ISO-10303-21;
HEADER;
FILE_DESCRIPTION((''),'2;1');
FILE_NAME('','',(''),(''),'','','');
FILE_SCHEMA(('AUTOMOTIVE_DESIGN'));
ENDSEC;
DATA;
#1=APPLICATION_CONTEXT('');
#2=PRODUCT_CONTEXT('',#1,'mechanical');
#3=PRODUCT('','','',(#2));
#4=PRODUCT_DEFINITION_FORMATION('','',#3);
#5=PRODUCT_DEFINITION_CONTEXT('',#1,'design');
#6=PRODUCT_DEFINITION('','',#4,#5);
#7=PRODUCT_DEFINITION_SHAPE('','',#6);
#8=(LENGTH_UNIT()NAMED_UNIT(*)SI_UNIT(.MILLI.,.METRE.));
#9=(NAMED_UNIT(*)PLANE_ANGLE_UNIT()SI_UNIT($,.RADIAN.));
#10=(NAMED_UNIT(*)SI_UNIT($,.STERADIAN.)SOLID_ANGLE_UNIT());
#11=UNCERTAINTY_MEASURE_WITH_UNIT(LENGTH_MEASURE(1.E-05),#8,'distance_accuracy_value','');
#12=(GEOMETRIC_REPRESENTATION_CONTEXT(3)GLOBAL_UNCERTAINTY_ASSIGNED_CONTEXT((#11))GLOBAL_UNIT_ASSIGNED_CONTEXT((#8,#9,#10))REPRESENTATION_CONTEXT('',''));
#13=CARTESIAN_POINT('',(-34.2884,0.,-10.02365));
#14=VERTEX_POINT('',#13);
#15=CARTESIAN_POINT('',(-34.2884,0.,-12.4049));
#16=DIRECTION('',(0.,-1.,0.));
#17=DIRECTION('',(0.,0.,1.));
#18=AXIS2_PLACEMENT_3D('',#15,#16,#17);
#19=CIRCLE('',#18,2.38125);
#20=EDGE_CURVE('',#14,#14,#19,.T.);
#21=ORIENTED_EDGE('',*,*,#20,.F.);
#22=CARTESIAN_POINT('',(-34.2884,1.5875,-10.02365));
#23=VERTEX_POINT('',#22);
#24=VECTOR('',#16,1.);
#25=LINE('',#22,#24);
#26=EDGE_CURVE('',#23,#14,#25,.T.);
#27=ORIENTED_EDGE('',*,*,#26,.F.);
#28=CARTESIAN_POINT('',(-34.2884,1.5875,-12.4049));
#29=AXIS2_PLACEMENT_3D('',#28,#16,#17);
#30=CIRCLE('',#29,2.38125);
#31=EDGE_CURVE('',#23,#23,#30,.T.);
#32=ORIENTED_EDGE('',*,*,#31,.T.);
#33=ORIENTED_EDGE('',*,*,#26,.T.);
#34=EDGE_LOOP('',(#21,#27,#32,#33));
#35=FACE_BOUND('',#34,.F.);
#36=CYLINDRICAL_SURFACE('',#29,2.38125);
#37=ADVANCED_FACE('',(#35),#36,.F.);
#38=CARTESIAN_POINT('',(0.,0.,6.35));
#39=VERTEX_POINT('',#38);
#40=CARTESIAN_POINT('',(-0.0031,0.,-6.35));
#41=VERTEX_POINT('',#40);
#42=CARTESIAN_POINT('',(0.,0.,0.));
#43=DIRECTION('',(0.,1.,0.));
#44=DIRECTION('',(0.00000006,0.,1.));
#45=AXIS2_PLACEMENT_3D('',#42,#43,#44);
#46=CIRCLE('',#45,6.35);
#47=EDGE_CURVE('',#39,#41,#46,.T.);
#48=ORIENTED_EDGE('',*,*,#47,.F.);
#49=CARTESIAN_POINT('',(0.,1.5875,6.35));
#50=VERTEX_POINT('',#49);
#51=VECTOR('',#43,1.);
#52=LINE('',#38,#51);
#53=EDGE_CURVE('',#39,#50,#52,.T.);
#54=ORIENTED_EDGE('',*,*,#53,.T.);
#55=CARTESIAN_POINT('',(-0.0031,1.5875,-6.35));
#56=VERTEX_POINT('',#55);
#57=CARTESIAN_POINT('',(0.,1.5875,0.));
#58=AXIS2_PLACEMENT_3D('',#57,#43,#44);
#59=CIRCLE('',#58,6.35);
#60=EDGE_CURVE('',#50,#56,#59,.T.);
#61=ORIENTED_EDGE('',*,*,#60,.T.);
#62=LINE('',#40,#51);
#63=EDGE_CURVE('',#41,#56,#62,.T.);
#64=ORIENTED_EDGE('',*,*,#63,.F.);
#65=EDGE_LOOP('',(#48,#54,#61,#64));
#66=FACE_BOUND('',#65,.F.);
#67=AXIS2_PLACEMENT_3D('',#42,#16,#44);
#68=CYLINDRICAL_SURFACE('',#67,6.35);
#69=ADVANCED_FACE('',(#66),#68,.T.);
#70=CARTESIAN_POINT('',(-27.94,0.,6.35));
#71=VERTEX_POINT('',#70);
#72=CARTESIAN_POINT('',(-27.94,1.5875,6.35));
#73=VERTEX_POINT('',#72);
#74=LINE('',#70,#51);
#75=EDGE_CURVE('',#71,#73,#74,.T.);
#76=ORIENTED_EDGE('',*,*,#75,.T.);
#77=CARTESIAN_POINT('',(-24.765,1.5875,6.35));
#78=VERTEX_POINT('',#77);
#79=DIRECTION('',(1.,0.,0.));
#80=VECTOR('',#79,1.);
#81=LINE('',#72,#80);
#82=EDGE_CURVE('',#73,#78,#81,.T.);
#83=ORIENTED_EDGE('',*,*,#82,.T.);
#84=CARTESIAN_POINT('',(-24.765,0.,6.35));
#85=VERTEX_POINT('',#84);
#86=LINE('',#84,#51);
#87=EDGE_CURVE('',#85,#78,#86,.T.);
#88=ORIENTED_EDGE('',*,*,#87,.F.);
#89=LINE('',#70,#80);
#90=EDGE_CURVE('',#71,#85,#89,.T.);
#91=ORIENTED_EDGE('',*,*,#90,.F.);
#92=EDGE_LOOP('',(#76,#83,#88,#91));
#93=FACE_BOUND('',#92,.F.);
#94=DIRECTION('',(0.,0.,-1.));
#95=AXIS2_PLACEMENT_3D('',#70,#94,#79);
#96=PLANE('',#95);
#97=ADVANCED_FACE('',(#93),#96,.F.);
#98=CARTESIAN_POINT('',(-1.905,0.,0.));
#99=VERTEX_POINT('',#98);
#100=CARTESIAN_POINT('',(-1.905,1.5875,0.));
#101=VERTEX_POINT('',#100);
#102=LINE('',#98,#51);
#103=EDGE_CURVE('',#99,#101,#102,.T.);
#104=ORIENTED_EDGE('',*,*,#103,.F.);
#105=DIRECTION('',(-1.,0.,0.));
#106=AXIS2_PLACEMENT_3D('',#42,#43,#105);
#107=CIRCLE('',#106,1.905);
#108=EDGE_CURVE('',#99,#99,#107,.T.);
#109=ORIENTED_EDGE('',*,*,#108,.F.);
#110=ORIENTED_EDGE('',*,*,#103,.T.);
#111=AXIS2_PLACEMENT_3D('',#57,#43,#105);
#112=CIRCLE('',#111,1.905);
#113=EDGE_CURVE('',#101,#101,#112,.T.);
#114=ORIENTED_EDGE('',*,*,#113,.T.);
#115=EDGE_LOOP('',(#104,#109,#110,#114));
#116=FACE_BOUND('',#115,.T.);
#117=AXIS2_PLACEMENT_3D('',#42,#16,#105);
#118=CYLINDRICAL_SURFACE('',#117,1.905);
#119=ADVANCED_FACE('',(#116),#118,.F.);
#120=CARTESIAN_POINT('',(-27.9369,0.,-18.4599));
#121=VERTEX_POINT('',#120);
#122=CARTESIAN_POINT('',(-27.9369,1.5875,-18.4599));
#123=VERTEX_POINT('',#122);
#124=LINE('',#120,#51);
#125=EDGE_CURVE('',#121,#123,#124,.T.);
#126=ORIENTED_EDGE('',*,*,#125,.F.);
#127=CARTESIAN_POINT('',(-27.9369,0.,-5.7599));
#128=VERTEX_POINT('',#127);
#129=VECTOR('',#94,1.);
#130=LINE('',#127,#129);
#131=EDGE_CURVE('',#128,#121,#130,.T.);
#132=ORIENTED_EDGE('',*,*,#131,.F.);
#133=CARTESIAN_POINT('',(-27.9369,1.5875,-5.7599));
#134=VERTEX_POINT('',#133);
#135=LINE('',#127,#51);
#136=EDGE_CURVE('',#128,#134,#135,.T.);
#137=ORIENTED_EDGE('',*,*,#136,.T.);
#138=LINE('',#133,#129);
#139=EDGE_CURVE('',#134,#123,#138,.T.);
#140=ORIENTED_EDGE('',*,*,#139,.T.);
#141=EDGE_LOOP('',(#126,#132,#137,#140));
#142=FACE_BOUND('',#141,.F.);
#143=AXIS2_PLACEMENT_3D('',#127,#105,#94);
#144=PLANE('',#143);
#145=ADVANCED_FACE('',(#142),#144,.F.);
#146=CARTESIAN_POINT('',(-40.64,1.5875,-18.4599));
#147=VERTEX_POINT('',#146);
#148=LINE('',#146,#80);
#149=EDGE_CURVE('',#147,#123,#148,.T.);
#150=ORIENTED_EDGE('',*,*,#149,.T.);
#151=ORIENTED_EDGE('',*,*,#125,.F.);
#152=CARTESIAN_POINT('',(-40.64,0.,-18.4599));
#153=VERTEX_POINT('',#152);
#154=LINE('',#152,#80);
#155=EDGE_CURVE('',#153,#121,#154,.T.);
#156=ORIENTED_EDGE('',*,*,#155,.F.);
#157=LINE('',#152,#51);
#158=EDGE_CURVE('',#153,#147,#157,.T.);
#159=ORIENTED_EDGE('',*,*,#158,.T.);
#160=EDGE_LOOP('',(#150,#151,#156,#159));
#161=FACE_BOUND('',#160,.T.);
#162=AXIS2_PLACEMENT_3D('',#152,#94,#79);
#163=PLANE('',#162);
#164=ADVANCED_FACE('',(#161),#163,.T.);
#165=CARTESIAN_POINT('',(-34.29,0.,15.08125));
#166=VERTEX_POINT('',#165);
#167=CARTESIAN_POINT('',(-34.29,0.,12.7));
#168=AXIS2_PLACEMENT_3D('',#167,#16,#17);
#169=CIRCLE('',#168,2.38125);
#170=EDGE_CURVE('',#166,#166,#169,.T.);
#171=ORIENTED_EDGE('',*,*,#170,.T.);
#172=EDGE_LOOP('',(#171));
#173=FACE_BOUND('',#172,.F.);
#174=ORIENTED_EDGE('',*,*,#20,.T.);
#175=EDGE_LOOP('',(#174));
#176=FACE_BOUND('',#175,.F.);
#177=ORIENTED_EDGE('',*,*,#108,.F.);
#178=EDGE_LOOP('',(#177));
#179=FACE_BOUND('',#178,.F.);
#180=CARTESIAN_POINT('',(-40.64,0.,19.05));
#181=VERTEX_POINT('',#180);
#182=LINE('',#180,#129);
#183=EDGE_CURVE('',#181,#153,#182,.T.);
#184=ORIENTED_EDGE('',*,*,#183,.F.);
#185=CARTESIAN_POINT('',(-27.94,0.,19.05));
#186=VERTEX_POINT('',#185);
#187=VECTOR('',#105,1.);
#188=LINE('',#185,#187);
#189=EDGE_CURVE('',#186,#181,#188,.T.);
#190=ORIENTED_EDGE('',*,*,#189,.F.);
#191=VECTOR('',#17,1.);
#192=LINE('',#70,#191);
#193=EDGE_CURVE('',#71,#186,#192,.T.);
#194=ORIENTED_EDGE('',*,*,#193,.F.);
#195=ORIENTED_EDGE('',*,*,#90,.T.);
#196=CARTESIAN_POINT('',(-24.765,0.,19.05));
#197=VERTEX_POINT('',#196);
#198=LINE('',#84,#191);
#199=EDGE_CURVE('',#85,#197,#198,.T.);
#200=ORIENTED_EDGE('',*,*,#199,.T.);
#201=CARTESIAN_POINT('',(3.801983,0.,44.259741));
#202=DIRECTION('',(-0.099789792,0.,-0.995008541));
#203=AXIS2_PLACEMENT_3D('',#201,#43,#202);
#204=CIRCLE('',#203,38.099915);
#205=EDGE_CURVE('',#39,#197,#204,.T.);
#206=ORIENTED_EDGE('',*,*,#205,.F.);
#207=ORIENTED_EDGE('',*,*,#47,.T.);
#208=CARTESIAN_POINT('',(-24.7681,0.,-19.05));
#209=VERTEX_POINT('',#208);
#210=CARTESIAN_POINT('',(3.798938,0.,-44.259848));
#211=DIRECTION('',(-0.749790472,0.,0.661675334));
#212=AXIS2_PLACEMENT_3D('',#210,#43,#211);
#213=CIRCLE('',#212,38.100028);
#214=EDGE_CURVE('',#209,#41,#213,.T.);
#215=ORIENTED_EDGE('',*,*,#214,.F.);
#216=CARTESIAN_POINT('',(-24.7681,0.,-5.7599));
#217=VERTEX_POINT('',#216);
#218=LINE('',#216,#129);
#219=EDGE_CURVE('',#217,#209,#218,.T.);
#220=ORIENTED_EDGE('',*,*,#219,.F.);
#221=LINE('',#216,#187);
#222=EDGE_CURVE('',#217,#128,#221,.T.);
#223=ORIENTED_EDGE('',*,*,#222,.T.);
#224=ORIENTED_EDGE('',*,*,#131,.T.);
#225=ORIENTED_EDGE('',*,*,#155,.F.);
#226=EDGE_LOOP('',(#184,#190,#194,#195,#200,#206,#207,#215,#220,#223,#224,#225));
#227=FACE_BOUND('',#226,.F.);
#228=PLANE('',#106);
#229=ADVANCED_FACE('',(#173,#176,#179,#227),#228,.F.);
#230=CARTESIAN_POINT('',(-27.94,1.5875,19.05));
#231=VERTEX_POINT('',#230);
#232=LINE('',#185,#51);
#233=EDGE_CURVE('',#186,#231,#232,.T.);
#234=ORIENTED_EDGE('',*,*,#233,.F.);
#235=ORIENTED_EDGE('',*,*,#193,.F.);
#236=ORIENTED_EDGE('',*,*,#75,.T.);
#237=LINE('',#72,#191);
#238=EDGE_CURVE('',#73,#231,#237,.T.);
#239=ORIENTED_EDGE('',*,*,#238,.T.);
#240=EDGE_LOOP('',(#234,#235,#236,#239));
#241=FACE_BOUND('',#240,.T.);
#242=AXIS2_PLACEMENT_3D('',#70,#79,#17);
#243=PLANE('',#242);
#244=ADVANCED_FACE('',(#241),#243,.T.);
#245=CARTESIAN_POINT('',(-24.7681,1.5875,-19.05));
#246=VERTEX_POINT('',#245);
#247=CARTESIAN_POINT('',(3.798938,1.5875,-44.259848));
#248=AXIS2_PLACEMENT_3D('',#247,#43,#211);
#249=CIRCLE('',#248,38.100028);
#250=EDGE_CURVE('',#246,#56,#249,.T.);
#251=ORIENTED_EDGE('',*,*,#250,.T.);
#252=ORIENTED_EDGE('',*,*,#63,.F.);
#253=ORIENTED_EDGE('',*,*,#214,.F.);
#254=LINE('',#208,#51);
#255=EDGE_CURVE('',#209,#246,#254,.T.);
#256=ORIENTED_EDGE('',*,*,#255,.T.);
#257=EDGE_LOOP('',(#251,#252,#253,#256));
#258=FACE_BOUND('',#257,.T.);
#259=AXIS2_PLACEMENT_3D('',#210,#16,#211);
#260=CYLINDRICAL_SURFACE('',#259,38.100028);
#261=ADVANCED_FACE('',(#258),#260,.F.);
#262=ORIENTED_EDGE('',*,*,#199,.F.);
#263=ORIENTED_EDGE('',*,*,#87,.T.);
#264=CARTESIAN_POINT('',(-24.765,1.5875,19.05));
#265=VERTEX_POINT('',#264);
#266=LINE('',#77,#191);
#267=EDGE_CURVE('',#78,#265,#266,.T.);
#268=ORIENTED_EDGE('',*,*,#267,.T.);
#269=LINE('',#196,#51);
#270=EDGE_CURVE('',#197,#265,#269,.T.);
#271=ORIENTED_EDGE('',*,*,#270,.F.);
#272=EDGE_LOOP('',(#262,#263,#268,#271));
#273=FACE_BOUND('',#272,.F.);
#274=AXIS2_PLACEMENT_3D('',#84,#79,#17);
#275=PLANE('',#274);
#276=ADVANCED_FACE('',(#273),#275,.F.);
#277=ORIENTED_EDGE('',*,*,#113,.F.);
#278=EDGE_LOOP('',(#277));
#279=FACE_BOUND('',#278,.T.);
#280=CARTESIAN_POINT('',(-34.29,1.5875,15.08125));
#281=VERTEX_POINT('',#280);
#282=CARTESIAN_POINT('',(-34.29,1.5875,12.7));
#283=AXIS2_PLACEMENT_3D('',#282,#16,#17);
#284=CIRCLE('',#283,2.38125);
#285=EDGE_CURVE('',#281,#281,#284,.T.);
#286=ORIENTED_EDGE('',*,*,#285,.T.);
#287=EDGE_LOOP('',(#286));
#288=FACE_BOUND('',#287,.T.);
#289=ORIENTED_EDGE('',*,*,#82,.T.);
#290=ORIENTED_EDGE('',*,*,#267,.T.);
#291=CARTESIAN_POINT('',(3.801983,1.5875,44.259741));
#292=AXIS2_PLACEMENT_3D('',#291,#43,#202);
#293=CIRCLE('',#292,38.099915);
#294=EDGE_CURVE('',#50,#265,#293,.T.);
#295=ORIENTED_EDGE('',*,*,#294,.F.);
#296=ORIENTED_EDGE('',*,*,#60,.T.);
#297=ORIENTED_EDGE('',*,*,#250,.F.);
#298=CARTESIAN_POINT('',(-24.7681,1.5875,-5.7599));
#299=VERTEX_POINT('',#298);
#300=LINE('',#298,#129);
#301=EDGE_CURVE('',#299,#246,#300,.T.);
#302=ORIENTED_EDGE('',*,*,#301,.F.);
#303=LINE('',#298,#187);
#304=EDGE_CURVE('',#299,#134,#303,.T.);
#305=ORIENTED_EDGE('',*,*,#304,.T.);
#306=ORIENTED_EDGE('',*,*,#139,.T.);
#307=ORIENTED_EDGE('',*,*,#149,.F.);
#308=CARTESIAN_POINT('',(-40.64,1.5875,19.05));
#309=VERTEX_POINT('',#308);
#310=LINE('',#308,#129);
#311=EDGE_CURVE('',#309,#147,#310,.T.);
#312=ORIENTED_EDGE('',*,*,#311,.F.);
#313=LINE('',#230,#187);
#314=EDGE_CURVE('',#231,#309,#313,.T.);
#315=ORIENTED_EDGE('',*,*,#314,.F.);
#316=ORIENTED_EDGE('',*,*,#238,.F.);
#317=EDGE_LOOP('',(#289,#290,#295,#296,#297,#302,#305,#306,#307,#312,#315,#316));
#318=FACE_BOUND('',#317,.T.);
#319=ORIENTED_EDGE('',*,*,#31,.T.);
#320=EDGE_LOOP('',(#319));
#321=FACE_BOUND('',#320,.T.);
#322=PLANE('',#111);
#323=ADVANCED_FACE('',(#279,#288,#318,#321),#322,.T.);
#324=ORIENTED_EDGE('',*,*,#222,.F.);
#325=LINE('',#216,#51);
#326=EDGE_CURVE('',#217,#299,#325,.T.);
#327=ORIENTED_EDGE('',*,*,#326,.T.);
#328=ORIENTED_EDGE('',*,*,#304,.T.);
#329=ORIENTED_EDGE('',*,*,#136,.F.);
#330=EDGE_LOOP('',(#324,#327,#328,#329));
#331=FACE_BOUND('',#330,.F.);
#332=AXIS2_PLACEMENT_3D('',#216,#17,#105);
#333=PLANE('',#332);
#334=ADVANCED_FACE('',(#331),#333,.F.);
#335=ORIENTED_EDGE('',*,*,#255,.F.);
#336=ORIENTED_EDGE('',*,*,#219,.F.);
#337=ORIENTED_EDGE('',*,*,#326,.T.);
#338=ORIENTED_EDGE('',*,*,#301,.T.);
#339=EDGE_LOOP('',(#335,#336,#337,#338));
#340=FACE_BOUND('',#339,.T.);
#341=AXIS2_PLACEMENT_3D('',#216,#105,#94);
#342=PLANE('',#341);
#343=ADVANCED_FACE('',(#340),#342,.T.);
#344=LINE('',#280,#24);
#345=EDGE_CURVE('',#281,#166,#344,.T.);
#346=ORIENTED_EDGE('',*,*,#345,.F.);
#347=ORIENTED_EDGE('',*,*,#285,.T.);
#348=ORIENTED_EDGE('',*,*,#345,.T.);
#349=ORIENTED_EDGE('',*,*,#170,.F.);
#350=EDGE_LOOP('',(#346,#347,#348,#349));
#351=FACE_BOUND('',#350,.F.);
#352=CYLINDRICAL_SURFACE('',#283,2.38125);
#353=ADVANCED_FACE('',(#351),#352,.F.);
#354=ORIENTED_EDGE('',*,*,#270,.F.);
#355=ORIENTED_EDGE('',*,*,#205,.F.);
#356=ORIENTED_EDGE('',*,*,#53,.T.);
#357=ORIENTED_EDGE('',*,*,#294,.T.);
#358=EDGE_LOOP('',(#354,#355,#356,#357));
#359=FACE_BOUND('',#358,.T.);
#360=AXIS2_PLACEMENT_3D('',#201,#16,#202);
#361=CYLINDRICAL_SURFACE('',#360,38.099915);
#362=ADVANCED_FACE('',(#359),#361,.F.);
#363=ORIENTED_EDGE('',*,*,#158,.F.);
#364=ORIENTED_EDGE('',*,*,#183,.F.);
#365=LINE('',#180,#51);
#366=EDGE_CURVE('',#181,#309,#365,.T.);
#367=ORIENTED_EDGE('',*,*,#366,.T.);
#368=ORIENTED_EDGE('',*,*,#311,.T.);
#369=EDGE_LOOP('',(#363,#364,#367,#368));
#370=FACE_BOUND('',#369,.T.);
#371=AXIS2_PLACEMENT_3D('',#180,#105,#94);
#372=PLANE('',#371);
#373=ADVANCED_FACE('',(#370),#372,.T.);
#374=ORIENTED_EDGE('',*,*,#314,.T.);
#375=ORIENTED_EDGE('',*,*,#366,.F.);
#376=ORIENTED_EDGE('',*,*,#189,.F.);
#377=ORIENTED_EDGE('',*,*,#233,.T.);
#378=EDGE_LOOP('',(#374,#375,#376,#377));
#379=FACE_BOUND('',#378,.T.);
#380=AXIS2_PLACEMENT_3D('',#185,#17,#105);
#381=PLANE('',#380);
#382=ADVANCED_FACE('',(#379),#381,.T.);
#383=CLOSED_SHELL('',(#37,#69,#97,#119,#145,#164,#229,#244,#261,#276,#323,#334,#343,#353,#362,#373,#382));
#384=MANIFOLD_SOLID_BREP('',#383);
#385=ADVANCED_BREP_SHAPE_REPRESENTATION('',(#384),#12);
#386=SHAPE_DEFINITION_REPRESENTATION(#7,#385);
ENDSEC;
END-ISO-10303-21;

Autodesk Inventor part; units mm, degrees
ref_plane "YZ Plane" through (0, 0, 0) normal (1, 0, 0) x (0, 1, 0)
ref_plane "XZ Plane" through (0, 0, 0) normal (0, 1, 0) x (-1, 0, 0)
ref_plane "XY Plane" through (0, 0, 0) normal (0, 0, 1) x (1, 0, 0)
sketch "Sketch1" plane through (0, 0, 0) normal (0, 1, 0) x (-1, 0, 0)
  arc A0 (0, 6.35) -> (0.0031, -6.35) centre (0, 0) ccw
  line L0 (27.9369, -5.7599) -> (27.9369, -18.4599)
  line L1 (27.94, 6.35) -> (27.94, 19.05)
  line L2 (27.94, 19.05) -> (40.64, 19.05)
  line L3 (40.64, 19.05) -> (40.64, -18.4599)
  line L4 (40.64, -18.4599) -> (27.9369, -18.4599)
  circle A1 centre (0, 0) radius 1.905
  line L5 (27.94, 6.35) -> (24.765, 6.35)
  line L6 (24.765, 6.35) -> (24.765, 19.05)
  line L7 (24.7681, -5.7599) -> (24.7681, -19.05)
  arc A2 (24.7681, -19.05) -> (0.0031, -6.35) centre (-3.7989, -44.2598) ccw
  arc A3 (0, 6.35) -> (24.765, 19.05) centre (-3.802, 44.2598) ccw
  line L8 (24.7681, -5.7599) -> (27.9369, -5.7599)
  point P0 (0, 0)
  dimension "d4" = 27.94
  dimension "d5" = 27.94
  dimension "d6" = 12.7
  dimension "d7" = 12.7
  dimension "d8" = 12.7
  dimension "d19" = 3.81
  dimension "d20" = 3.175
  dimension "d21" = 38.1
  dimension "d22" = 38.1
extrude "Extrusion1" add sketch "Sketch1" along normal blind 1.5875
sketch "Sketch2" plane through (0, 1.5875, 0) normal (0, 1, 0) x (1, 0, 0)
  line L0 (-27.9369, 18.4599) -> (-40.64, 18.4599) projected
  line L1 (-27.9369, 5.7599) -> (-27.9369, 18.4599) projected
  line L2 (-40.64, 18.4599) -> (-27.9369, 5.7599)
  line L3 (-40.64, -19.05) -> (-27.94, -19.05) projected
  line L4 (-27.94, -6.35) -> (0, -6.35) projected
  line L5 (-40.64, -19.05) -> (-27.94, -6.35)
  line L6 (-27.94, -19.05) -> (-40.64, -6.35)
  line L7 (-27.9369, 18.4599) -> (-40.64, 6.35)
  line L8 (-40.64, 18.4599) -> (-40.64, -19.05) projected
  point P0 (0, 0)
  point P1 (-34.2884, 12.4049)
  point P2 (-34.29, -12.7)
hole "Hole1" at (-34.2884, 1.5875, -12.4049) at (-34.29, 1.5875, 12.7) direction (0, -1, 0) diameter 4.7625 end through all
properties part number "indexer" material "ABS Plastic"
